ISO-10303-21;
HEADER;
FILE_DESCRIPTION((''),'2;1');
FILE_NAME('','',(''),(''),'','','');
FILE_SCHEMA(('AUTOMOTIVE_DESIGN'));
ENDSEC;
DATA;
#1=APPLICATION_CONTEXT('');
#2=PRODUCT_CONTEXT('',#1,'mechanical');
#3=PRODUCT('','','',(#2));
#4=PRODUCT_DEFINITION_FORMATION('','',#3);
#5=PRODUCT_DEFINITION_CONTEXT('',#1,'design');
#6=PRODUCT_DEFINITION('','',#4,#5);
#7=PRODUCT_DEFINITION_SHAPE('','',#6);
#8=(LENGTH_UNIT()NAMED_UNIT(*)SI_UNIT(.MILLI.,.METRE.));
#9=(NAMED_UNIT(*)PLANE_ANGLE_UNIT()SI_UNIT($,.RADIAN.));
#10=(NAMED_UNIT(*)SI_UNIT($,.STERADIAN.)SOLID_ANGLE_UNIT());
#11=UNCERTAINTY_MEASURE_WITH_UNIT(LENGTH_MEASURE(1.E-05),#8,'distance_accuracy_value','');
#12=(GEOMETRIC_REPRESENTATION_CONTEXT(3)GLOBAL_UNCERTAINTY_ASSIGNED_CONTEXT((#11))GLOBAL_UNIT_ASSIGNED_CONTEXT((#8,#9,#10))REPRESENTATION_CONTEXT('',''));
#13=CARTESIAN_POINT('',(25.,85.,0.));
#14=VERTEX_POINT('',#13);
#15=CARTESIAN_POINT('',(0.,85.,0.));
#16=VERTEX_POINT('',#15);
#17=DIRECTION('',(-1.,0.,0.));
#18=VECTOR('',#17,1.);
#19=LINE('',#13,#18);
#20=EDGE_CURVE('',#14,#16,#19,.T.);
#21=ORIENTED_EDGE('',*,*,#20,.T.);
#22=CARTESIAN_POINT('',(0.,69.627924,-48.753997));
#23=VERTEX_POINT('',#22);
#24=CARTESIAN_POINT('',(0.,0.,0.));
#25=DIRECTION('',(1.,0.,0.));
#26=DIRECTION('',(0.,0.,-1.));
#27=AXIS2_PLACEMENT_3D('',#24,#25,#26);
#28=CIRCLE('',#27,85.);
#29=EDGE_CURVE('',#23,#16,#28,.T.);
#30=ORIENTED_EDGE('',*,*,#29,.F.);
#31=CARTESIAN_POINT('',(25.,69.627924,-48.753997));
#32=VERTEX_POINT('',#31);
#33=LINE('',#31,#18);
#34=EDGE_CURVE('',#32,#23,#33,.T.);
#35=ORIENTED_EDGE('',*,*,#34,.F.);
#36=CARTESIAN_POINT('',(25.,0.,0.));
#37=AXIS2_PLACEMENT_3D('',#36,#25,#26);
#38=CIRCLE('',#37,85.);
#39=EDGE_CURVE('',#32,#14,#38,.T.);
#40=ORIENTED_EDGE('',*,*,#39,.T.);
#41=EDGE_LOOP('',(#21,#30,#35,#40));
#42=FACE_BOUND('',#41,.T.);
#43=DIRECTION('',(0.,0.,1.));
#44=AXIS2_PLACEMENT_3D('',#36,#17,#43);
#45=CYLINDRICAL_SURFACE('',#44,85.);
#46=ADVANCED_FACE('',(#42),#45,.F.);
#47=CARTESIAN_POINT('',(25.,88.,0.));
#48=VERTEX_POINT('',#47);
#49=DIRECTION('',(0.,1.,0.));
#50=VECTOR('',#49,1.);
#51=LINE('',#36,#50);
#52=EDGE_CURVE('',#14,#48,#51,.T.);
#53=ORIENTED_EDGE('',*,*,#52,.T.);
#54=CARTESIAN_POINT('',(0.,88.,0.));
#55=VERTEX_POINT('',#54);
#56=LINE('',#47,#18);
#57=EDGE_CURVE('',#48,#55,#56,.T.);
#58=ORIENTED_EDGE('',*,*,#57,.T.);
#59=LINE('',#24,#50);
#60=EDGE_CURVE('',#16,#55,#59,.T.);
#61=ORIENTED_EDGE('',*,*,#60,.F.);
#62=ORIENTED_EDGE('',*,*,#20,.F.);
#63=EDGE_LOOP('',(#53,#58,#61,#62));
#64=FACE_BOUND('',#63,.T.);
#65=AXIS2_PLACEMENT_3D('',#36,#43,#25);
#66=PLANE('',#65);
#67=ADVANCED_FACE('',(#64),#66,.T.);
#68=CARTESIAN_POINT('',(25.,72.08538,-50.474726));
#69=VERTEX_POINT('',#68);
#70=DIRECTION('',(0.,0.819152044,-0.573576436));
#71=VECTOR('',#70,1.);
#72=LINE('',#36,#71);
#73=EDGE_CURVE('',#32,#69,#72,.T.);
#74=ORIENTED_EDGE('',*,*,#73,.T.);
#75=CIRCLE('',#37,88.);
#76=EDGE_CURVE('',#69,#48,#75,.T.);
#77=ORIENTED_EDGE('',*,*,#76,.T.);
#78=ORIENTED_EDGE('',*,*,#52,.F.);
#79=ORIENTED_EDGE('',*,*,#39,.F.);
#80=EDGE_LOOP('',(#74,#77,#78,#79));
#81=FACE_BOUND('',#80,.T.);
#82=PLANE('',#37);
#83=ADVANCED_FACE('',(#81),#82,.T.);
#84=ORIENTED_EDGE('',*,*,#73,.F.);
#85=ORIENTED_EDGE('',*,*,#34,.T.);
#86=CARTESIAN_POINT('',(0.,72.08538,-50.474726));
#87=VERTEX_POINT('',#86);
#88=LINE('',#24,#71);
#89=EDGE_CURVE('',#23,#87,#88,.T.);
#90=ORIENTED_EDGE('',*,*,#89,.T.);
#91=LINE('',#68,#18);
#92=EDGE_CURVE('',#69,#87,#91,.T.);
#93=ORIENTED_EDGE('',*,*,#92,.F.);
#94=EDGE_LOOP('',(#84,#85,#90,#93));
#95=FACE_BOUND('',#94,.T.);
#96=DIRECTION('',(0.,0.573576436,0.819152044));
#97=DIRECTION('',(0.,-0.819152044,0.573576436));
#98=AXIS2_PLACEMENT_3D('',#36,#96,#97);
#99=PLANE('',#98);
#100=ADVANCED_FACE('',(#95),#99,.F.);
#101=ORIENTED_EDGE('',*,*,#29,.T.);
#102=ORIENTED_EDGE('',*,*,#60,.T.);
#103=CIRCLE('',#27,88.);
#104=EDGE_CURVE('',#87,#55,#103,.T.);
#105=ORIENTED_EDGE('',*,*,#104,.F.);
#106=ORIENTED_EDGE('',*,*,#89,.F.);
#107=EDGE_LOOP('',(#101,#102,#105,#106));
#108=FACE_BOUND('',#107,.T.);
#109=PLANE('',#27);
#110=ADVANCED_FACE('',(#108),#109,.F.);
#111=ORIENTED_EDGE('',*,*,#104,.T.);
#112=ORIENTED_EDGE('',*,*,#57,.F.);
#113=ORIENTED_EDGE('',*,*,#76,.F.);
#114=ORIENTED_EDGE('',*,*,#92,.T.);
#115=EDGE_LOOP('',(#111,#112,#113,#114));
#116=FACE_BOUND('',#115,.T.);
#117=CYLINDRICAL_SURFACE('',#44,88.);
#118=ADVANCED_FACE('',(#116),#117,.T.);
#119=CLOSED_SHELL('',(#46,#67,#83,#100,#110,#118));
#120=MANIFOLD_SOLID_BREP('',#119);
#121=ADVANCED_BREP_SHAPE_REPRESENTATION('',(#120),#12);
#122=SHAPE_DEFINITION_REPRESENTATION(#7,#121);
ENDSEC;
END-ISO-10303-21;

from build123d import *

# Parameters (mm, degrees)
BOSS_EXTRUDE1_DEPTH = 25


with BuildPart() as part:
    # Sketch1 → Boss-Extrude1 (new body)
    with BuildSketch(Plane(origin=(0, 0, 0), x_dir=(0, 0, -1), z_dir=(1, 0, 0))):
        with BuildLine():
            Line((0, 88), (0, 85))
            ThreePointArc((0, 85), (25.559992958, 81.065940814), (48.75399709, 69.627923765))
            Line((48.75399709, 69.627923765), (50.474726399, 72.085379897))
            ThreePointArc((50.474726399, 72.085379897), (26.462110356, 83.927091666), (0, 88))
        make_face()
    extrude(amount=BOSS_EXTRUDE1_DEPTH)


solid = part.part
